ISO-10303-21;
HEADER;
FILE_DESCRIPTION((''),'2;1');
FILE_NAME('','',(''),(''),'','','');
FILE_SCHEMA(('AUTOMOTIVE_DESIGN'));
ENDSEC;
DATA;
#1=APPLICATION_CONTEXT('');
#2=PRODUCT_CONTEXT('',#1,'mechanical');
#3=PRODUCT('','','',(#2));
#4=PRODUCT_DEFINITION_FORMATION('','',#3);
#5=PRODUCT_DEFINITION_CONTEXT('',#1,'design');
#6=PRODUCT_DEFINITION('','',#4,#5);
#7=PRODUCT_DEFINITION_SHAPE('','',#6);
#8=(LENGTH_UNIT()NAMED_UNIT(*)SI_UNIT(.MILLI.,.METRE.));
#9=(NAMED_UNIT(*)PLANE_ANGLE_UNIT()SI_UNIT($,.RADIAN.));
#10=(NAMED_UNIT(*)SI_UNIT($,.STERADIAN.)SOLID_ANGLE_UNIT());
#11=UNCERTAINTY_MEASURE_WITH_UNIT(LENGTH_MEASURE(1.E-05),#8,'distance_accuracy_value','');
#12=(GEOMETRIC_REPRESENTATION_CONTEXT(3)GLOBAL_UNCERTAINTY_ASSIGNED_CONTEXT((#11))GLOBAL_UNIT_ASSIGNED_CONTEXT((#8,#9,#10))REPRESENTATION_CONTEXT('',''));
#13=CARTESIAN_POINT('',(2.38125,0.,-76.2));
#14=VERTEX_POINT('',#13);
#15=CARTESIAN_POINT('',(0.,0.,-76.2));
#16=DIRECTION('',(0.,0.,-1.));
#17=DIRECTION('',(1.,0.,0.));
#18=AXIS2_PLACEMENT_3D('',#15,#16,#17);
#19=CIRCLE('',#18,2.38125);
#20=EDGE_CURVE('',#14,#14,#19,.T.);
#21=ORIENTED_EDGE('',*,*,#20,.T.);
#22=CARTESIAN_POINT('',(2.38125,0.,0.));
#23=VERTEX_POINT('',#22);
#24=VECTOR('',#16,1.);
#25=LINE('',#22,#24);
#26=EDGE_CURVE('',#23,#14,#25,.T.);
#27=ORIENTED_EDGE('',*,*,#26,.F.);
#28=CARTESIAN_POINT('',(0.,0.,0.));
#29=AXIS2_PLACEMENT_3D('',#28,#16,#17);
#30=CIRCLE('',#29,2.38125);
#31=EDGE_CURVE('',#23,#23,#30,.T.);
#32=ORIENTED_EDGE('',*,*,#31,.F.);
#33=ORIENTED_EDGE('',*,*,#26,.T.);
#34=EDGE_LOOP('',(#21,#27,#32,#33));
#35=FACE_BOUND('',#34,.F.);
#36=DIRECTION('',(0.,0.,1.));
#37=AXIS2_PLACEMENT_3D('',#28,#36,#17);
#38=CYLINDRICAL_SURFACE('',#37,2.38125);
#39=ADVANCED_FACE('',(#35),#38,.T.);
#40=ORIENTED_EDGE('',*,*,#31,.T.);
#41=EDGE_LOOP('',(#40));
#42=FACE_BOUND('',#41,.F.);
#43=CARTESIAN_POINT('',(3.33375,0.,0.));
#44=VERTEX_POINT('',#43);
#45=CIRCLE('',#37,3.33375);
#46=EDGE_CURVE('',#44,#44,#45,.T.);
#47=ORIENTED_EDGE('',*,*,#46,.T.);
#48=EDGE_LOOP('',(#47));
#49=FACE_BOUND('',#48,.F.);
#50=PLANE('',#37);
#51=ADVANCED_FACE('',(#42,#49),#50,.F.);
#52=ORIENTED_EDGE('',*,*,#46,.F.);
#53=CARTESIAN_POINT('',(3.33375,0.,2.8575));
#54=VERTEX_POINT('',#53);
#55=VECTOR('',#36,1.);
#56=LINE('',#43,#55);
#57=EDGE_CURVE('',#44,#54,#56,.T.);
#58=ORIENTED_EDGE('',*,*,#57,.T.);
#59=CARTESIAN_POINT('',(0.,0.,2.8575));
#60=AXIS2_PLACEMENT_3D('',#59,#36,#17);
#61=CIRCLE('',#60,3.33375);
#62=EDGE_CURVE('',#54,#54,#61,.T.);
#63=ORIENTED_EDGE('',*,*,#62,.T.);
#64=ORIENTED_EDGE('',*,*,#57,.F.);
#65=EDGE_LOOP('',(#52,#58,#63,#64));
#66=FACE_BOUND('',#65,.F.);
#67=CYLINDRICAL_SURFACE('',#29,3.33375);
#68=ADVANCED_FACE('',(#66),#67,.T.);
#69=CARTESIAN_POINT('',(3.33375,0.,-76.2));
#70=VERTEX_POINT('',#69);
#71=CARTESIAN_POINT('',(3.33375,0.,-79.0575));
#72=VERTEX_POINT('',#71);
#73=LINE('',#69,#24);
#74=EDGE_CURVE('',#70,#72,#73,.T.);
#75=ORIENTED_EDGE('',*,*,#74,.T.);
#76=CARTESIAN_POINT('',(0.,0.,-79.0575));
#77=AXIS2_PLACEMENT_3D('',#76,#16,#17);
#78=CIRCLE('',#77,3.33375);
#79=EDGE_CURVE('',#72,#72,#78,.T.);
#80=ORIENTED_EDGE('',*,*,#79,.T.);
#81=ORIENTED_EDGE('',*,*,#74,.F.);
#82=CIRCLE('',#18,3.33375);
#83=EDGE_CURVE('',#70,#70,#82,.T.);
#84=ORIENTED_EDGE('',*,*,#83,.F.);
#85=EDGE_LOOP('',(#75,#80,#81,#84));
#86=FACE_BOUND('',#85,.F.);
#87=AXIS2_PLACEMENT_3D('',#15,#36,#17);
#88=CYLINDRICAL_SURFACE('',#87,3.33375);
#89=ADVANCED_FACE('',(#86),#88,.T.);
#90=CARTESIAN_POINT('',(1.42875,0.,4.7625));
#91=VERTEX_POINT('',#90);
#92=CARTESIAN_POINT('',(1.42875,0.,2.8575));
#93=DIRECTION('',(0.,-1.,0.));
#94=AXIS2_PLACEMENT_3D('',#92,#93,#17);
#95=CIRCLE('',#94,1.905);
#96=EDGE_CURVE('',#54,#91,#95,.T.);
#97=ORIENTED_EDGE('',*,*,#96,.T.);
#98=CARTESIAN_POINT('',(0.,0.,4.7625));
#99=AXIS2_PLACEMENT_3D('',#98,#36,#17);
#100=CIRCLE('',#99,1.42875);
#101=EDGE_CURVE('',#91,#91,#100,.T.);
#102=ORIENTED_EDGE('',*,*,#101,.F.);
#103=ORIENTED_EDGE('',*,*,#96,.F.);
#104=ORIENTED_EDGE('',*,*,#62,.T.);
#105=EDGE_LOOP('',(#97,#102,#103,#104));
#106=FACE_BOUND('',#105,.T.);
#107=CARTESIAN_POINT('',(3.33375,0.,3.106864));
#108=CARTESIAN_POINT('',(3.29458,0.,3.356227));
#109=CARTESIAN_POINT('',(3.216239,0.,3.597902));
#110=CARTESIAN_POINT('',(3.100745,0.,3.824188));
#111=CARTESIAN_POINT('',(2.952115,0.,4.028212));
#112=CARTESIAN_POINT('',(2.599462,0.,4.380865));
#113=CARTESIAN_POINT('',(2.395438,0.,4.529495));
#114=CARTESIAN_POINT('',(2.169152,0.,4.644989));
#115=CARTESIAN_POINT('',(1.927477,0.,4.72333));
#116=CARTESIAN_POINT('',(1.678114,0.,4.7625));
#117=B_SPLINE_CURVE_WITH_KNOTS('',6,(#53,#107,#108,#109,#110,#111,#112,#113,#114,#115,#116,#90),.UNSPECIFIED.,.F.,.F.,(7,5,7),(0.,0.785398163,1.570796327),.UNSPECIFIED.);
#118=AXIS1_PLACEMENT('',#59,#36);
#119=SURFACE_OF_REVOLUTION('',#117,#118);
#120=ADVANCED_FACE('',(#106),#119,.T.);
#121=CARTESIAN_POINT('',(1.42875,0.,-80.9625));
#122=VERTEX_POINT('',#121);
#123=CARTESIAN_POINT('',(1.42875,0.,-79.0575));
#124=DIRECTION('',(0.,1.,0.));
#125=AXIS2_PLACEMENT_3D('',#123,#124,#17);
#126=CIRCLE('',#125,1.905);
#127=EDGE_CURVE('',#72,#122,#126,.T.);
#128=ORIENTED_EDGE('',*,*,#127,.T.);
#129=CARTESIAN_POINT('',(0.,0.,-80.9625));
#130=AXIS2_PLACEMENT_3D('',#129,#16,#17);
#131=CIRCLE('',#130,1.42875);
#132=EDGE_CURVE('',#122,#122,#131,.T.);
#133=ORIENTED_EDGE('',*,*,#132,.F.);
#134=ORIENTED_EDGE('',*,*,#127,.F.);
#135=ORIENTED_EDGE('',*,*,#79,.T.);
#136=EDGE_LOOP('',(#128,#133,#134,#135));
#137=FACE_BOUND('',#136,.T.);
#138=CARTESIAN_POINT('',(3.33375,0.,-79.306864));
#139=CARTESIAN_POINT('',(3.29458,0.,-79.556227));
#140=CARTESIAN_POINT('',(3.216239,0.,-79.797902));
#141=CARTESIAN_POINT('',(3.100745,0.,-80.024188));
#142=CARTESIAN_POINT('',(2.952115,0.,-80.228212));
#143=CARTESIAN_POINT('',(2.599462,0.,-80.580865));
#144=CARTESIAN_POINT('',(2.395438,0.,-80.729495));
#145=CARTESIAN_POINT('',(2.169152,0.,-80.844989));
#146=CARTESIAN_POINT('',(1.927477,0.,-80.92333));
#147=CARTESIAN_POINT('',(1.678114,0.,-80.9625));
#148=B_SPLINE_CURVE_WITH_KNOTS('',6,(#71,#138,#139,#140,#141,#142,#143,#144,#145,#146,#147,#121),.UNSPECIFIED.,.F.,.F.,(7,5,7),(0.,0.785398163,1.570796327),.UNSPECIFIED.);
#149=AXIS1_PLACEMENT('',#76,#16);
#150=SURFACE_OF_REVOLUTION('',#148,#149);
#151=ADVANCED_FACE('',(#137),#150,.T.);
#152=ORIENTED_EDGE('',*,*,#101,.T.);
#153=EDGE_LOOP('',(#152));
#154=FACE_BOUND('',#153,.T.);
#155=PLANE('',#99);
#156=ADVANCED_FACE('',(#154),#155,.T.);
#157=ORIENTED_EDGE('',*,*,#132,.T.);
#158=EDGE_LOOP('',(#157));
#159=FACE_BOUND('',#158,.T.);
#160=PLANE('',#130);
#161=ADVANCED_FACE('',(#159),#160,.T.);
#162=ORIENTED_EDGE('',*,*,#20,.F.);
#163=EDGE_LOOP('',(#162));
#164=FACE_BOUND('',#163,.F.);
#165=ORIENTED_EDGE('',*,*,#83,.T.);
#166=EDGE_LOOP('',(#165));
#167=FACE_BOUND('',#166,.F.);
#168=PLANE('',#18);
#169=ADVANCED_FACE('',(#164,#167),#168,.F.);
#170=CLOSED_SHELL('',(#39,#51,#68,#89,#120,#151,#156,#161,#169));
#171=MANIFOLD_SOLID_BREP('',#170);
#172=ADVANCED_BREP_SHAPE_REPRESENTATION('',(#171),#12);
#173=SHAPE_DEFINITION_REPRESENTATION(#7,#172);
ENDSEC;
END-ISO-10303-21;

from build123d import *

# Parameters (mm, degrees)
F0_R     = 3.33375
F1_DEPTH = 4.7625
F2_R     = 2.38125
F3_DEPTH = 76.2
F4_R     = 3.33375
F5_DEPTH = 4.7625
F6_R     = 1.905


with BuildPart() as f1:
    # F0 (on Top) → F1 (new body)
    with BuildSketch(Plane.XY):
        Circle(F0_R)
    extrude(amount=F1_DEPTH)

    # F2 (on face) → F3 (join)
    with BuildSketch(Plane(origin=(0, 0, 0), x_dir=(1, 0, 0), z_dir=(0, 0, -1))):
        Circle(F2_R)
    extrude(amount=F3_DEPTH)

    # F4 (on face) → F5 (join)
    with BuildSketch(Plane(origin=(0, 0, -76.2), x_dir=(1, 0, 0), z_dir=(0, 0, -1))):
        Circle(F4_R)
    extrude(amount=F5_DEPTH)

    # F6
    f6_edges = [f1.edges().sort_by_distance(p)[0] for p in [
        (-3.33375, 0, 4.7625),
        (-3.33375, 0, -80.9625),
    ]]
    fillet(f6_edges, radius=F6_R)


solid = f1.part
